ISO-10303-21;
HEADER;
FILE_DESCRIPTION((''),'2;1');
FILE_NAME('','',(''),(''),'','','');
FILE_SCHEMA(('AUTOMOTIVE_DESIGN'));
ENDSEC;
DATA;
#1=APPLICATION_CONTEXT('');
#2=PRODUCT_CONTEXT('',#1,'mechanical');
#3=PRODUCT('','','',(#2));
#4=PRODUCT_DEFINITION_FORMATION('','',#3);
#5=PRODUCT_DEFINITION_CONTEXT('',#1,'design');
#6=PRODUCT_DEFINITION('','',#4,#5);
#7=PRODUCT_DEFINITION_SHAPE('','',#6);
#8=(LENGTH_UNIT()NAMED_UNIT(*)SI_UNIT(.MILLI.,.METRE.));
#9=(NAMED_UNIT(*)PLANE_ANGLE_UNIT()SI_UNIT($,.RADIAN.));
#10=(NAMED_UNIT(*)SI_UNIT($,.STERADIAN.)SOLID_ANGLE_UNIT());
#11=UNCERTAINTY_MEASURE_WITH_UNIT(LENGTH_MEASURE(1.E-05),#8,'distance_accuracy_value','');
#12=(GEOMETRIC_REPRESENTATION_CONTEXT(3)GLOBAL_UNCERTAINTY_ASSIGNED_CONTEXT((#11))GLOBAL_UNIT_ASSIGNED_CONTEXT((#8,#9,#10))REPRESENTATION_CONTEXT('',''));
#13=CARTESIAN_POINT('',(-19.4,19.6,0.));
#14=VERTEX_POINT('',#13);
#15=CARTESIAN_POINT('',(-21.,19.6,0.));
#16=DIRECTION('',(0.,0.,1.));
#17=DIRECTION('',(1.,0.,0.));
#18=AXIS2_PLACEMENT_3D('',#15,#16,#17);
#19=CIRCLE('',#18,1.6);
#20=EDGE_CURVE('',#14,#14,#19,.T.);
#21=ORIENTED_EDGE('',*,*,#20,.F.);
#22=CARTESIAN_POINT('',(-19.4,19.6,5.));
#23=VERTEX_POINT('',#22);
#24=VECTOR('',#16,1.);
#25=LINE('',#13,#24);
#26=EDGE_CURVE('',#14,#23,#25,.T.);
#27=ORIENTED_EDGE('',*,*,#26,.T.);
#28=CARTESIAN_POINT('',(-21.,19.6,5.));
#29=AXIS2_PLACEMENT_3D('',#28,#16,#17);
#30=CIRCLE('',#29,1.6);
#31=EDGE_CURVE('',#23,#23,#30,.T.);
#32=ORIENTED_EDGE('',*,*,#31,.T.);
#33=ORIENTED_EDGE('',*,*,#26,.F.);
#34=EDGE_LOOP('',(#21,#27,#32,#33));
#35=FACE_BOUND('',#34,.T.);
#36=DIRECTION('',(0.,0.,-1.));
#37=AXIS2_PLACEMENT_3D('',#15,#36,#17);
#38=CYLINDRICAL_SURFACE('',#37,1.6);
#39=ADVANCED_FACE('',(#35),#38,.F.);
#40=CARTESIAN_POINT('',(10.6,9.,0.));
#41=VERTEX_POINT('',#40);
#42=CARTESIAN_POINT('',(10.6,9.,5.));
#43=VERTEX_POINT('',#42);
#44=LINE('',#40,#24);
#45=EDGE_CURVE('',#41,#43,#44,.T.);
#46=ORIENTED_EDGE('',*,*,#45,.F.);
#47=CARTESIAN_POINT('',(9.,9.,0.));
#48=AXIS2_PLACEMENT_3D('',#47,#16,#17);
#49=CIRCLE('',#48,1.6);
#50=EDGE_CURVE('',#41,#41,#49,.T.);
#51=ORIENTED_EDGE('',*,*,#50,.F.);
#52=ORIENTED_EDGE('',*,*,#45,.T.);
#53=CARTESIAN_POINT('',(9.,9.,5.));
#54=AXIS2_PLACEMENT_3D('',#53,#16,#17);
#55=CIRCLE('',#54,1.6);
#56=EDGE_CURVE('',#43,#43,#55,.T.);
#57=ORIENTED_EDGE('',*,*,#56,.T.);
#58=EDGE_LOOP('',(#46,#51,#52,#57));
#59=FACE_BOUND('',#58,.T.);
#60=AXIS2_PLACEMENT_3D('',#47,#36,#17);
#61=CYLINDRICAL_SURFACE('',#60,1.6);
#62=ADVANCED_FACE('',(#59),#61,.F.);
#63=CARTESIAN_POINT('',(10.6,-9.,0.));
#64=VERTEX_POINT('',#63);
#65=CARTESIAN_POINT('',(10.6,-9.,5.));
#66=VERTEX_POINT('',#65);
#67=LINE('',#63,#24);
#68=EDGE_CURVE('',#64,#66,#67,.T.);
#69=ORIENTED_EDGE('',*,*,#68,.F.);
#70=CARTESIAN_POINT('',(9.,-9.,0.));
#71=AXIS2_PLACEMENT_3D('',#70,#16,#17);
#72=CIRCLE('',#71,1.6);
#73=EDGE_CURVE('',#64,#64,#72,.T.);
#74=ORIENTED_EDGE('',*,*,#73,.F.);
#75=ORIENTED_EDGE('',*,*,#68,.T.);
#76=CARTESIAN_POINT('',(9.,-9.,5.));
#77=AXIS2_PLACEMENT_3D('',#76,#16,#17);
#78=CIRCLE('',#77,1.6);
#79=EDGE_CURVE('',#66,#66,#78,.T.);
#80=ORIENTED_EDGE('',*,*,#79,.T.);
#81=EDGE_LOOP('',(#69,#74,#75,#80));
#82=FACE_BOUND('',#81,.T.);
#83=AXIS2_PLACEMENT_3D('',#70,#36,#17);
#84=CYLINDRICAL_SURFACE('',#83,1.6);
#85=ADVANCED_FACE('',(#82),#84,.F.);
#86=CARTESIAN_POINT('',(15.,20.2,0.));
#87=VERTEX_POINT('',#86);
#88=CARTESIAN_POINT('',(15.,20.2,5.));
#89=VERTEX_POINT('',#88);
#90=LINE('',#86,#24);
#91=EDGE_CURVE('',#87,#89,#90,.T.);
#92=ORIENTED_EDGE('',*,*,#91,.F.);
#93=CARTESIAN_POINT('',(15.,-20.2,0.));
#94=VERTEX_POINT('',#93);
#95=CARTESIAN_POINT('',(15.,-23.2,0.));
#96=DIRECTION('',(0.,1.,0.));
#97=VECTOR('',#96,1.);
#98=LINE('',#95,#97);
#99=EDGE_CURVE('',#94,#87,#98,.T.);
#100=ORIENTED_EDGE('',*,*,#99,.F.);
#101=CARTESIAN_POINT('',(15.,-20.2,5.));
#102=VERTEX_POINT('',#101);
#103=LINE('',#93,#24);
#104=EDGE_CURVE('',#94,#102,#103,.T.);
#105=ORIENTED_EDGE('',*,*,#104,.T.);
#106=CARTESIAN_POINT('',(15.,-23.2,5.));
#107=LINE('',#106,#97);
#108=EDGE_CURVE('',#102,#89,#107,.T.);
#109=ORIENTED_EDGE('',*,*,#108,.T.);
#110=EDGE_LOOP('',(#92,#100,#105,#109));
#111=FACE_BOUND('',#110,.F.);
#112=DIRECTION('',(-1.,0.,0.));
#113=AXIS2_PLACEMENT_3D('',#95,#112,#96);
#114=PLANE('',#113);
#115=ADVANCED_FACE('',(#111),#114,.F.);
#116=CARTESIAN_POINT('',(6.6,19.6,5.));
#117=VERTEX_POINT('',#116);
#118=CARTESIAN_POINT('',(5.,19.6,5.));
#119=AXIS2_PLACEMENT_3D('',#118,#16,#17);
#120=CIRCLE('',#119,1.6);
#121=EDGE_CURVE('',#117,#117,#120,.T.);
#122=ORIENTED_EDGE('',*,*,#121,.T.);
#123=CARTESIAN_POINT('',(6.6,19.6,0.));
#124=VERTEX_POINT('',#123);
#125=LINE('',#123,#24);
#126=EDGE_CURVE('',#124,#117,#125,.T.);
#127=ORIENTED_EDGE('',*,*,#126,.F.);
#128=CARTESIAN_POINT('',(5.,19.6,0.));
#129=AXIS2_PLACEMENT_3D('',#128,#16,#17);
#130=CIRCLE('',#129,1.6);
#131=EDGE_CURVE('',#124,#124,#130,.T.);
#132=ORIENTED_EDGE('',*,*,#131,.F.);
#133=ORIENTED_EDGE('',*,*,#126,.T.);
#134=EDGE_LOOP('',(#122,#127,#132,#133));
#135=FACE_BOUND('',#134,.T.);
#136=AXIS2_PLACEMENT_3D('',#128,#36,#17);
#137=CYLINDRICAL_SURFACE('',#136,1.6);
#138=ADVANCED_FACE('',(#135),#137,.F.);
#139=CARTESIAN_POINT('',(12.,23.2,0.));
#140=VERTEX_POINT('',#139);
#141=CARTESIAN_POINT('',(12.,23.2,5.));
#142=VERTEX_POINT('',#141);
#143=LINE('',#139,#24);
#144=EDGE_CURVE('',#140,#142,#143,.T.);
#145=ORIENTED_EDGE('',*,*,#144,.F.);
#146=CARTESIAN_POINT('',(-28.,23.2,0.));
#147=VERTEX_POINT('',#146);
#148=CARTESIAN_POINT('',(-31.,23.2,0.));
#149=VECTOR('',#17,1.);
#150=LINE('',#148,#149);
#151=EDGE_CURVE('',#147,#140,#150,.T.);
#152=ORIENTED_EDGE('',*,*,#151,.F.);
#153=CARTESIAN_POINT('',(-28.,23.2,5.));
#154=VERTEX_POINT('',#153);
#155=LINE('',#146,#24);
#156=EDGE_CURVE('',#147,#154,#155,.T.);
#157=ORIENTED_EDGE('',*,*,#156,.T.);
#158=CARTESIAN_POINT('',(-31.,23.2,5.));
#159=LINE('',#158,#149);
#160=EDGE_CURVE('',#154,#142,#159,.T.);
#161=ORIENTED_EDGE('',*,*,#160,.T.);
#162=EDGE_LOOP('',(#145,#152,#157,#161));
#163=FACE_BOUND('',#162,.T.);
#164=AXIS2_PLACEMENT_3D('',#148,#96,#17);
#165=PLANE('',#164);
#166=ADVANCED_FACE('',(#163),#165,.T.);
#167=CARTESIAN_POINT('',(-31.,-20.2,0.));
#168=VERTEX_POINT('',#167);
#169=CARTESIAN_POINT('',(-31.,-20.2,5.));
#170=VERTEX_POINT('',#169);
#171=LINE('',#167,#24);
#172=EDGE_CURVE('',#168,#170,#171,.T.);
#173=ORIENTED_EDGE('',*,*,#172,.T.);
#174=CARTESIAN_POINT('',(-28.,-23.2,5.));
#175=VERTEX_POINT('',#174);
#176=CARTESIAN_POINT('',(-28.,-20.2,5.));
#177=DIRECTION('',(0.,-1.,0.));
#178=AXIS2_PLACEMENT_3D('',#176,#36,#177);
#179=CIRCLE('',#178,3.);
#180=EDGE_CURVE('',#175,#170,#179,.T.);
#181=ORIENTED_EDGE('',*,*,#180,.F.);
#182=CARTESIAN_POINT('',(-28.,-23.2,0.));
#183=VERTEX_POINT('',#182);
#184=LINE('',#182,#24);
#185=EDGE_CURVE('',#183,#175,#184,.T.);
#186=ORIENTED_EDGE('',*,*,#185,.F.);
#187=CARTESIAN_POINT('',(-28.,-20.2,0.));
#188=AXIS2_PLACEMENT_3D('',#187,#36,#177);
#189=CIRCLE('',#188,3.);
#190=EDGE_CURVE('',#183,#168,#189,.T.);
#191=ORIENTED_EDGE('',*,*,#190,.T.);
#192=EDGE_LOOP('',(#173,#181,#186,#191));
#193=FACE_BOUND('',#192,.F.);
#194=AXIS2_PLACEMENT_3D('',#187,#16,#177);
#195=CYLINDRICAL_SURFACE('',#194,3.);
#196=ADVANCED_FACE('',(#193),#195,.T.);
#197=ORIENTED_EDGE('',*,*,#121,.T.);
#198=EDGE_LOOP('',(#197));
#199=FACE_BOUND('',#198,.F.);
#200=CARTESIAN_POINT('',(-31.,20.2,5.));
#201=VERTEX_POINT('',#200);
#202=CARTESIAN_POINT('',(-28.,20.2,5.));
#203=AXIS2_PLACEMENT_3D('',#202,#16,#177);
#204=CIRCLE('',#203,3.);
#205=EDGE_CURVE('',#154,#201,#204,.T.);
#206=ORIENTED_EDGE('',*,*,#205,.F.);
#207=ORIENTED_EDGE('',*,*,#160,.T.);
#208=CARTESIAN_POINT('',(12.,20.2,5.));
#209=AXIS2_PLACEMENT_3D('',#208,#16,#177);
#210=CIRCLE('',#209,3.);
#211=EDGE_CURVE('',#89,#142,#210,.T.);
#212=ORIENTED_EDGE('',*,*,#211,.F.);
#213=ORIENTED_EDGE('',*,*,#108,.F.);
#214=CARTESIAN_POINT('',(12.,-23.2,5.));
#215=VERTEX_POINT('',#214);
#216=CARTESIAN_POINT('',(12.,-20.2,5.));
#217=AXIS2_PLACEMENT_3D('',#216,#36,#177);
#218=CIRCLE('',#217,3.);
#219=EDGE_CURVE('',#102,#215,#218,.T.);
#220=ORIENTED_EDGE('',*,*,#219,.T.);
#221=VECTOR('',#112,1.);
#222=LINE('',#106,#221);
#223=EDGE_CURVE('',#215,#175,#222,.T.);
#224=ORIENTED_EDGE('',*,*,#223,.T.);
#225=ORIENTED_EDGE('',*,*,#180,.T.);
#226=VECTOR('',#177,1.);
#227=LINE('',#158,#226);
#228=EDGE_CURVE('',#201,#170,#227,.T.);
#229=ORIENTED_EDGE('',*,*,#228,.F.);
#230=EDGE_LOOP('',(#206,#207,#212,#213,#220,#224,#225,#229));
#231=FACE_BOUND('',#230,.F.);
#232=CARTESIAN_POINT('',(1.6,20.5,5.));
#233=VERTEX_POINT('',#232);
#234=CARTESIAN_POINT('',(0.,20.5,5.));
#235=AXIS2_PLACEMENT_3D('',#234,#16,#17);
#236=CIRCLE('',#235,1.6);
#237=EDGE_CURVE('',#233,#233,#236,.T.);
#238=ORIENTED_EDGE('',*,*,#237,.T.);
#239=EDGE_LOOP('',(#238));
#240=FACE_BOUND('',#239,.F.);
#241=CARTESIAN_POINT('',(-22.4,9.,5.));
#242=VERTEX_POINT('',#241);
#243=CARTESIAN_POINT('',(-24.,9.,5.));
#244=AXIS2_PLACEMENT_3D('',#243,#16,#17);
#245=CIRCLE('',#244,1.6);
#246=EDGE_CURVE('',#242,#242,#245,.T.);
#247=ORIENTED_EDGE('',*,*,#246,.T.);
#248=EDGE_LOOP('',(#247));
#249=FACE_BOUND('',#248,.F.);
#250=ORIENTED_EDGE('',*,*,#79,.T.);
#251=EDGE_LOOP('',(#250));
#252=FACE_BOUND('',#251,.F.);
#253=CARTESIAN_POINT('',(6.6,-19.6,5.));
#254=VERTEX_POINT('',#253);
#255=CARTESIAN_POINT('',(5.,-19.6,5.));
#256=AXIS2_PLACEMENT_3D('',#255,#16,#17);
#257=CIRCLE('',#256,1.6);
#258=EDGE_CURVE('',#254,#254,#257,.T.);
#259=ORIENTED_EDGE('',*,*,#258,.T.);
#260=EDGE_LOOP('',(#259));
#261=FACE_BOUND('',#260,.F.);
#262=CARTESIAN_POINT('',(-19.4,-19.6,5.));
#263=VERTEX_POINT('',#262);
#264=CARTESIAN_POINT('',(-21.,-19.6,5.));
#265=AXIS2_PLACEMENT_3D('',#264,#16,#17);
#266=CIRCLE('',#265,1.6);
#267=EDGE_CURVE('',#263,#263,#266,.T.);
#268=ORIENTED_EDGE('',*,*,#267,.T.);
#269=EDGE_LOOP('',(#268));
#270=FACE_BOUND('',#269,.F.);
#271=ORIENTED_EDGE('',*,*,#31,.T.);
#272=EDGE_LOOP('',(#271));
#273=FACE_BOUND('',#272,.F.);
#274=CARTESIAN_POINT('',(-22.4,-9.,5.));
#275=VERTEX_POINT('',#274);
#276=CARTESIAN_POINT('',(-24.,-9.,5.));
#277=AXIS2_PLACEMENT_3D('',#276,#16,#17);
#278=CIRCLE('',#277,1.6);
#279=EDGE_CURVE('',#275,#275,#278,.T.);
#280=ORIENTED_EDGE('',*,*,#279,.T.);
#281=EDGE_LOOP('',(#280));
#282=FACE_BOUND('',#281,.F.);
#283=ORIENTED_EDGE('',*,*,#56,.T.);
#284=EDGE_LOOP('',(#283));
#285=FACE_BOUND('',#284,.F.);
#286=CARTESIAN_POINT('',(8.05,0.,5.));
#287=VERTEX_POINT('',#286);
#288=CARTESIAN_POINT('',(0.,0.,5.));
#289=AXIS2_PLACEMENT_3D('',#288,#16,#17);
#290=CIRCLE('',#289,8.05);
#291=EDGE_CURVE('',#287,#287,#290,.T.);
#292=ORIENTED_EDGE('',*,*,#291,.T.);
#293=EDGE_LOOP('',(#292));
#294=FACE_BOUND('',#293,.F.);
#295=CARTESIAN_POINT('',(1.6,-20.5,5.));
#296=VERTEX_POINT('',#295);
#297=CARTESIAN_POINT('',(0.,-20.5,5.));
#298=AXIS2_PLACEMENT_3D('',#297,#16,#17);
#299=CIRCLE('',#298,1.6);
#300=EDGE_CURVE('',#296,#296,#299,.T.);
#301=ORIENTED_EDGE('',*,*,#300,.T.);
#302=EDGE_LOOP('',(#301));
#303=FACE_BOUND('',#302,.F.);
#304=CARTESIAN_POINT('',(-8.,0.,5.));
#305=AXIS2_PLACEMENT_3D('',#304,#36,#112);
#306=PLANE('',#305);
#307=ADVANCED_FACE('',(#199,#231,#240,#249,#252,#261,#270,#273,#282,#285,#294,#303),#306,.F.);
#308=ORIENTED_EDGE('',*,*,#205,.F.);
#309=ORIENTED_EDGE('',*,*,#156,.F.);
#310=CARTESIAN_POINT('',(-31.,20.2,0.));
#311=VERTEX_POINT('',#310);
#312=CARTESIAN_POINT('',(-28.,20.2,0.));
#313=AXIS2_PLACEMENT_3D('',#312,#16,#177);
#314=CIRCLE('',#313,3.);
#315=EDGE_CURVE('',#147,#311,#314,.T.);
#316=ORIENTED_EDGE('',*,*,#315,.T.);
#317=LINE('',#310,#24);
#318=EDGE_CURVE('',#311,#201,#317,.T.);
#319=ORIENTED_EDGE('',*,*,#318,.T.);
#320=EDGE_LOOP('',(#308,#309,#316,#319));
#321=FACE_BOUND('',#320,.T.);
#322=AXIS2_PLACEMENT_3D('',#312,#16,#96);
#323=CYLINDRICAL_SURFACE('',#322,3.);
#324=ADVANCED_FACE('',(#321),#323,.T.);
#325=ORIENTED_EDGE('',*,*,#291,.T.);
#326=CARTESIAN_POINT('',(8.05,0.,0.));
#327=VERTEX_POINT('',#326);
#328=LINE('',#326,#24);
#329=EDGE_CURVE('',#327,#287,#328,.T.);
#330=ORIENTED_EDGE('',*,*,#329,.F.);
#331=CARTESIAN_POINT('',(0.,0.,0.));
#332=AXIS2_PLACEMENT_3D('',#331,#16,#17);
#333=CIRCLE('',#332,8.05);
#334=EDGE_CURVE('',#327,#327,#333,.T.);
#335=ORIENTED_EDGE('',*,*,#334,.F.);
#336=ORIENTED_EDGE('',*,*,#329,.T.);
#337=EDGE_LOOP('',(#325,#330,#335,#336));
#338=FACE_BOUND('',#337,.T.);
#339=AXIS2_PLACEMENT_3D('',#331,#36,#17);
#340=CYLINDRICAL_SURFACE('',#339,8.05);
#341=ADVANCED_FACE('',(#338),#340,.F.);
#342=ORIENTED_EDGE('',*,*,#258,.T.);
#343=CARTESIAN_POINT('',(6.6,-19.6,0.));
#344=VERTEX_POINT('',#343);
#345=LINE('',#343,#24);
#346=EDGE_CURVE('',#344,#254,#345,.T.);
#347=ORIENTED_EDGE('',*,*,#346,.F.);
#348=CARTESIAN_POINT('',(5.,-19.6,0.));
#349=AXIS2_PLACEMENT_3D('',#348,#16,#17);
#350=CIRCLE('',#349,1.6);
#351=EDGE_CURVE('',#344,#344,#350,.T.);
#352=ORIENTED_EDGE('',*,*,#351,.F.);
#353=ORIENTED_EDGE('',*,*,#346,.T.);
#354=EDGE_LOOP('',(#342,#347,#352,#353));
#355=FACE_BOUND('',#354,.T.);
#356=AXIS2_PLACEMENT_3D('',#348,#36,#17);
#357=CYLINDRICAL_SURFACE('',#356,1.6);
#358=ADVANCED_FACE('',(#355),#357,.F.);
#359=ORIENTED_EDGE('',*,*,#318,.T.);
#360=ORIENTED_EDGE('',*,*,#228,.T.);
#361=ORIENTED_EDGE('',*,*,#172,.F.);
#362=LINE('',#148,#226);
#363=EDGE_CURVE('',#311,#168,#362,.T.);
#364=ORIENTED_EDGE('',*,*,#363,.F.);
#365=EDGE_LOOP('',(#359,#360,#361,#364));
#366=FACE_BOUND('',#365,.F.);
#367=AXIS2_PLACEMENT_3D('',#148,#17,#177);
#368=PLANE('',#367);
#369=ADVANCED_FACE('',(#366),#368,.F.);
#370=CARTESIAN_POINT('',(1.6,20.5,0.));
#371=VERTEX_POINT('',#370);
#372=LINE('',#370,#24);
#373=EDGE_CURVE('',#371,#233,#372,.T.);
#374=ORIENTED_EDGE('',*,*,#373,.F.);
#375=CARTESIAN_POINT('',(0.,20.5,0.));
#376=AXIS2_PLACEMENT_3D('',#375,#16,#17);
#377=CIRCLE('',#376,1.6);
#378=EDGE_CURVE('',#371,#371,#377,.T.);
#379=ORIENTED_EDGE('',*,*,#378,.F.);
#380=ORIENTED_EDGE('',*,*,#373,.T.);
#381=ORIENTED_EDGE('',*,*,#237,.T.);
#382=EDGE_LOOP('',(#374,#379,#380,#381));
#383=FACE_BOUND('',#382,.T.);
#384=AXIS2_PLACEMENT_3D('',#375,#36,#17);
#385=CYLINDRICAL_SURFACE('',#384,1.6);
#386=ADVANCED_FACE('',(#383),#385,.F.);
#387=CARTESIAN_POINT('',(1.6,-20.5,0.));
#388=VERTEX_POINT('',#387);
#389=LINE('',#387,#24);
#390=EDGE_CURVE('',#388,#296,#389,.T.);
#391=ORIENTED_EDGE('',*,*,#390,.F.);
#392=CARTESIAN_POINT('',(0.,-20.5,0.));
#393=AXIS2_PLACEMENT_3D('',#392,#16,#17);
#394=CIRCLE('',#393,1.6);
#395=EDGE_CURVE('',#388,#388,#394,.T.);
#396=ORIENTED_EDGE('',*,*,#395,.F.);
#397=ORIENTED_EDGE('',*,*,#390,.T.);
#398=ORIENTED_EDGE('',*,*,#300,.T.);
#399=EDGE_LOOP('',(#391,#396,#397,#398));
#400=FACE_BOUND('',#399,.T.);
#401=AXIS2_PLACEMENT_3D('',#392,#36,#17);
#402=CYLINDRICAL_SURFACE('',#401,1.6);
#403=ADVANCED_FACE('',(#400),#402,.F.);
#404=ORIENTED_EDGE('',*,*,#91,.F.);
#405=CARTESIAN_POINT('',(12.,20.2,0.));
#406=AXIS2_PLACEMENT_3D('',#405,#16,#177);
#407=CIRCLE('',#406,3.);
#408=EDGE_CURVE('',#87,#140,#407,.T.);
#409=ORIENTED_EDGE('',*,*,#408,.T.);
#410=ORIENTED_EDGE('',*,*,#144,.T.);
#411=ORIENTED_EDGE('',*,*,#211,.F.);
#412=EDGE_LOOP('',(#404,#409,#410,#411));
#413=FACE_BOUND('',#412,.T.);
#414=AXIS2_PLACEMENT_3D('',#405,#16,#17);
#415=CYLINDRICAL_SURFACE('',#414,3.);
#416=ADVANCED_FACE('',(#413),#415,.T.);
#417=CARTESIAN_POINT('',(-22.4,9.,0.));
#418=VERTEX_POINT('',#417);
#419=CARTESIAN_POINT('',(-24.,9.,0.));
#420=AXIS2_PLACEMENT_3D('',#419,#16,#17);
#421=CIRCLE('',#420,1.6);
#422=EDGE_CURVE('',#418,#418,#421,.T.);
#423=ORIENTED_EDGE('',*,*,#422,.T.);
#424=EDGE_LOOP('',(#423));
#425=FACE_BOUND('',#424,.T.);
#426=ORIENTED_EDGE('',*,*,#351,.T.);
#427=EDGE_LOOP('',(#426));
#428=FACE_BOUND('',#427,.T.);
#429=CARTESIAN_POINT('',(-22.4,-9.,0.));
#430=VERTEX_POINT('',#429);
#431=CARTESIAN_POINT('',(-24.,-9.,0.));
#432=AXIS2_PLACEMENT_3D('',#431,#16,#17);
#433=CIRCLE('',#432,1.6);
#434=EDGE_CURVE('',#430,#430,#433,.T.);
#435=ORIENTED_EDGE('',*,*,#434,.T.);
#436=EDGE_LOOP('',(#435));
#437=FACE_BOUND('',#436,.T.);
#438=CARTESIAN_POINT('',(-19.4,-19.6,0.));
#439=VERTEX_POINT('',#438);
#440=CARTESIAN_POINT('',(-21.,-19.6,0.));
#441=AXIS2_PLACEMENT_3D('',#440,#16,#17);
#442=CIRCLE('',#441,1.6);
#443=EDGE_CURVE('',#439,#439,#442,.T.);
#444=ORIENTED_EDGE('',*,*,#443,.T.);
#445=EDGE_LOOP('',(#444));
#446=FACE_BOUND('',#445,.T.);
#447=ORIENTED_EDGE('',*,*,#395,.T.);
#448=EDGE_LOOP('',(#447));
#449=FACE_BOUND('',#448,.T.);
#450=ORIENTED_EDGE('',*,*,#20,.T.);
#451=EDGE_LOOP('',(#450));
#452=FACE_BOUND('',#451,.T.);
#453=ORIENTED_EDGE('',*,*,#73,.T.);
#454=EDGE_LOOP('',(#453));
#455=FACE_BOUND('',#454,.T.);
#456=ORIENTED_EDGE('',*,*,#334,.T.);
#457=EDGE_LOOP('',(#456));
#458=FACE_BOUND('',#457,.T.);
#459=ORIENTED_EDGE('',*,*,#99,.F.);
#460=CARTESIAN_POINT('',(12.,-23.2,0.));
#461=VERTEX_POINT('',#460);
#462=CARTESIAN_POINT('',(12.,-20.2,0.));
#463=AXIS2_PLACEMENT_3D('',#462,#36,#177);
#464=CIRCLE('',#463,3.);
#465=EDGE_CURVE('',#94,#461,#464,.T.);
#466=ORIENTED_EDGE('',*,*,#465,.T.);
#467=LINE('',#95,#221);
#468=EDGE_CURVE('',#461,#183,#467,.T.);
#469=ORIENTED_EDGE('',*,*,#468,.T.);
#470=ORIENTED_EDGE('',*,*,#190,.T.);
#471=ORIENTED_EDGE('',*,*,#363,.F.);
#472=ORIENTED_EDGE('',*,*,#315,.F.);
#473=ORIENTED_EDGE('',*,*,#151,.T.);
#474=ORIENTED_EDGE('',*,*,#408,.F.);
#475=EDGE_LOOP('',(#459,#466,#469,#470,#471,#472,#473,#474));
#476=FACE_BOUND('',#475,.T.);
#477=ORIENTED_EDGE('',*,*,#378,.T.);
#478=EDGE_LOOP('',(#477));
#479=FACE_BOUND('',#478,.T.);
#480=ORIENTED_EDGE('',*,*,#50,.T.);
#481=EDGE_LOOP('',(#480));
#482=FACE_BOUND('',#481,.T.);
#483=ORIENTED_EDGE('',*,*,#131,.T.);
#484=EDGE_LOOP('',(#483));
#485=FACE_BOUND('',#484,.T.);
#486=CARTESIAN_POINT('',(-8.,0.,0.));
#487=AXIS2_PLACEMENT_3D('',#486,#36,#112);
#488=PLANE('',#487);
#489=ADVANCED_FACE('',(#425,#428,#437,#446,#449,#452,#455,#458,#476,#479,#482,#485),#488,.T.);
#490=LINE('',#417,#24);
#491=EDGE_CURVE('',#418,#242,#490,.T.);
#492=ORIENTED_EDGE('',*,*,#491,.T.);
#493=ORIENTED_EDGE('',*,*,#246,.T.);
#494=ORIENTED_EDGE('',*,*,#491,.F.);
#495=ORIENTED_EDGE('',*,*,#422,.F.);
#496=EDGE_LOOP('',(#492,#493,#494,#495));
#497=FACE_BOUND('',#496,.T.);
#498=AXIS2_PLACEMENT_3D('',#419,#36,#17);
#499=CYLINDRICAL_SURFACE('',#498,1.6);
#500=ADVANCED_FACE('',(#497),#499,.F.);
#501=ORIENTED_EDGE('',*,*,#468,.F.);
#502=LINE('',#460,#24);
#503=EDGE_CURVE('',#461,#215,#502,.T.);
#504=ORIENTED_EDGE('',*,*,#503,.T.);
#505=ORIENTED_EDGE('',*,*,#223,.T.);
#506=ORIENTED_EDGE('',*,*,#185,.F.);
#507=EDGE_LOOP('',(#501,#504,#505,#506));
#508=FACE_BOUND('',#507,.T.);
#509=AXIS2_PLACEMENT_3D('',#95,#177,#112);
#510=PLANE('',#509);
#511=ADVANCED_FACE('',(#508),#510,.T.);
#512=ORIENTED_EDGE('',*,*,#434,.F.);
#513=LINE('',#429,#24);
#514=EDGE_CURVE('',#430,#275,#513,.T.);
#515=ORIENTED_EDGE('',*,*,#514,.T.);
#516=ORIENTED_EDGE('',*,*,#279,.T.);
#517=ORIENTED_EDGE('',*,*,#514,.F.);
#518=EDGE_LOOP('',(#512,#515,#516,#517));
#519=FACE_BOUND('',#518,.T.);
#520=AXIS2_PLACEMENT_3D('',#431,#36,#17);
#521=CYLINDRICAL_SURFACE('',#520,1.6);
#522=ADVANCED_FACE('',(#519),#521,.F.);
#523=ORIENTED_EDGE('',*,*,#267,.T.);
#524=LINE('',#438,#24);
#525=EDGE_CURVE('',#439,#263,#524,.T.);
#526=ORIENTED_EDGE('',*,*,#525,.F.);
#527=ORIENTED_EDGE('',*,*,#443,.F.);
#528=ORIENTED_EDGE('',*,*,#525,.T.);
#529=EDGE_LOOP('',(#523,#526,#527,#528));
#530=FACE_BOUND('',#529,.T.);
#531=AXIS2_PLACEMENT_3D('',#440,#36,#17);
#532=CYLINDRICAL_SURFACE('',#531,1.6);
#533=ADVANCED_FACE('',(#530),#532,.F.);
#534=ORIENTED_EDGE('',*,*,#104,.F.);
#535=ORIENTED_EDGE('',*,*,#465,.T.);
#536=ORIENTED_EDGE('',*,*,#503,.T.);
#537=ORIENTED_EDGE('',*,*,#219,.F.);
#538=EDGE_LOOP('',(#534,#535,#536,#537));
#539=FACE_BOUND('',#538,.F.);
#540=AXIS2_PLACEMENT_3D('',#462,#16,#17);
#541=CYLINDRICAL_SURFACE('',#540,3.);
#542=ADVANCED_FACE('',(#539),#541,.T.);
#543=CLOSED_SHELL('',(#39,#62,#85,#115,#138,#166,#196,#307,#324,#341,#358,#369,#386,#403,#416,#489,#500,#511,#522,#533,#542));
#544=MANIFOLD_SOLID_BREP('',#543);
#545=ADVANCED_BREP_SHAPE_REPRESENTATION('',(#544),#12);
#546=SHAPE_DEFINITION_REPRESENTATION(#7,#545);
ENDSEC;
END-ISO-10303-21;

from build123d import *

# Parameters (mm, degrees)
SKETCH_R   = 8.05
SKETCH_R_2 = 1.6
PAD_DEPTH  = 5
FILLET_R   = 3


with BuildPart() as part:
    # Sketch → Pad (new body)
    with BuildSketch(Plane.XY):
        Polygon((15, 16), (15, -16), (15, -23.2), (-31, -23.2), (-31, -16), (-31, 16), (-31, 23.2), (15, 23.2), align=None)
        Circle(SKETCH_R, mode=Mode.SUBTRACT)
        with Locations((-24, 9)):
            Circle(SKETCH_R_2, mode=Mode.SUBTRACT)
        with Locations((-24, -9)):
            Circle(SKETCH_R_2, mode=Mode.SUBTRACT)
        with Locations((9, -9)):
            Circle(SKETCH_R_2, mode=Mode.SUBTRACT)
        with Locations((9, 9)):
            Circle(SKETCH_R_2, mode=Mode.SUBTRACT)
        with Locations((0, 20.5)):
            Circle(SKETCH_R_2, mode=Mode.SUBTRACT)
        with Locations((0, -20.5)):
            Circle(SKETCH_R_2, mode=Mode.SUBTRACT)
        with Locations((-21, 19.6)):
            Circle(SKETCH_R_2, mode=Mode.SUBTRACT)
        with Locations((5, 19.6)):
            Circle(SKETCH_R_2, mode=Mode.SUBTRACT)
        with Locations((-21, -19.6)):
            Circle(SKETCH_R_2, mode=Mode.SUBTRACT)
        with Locations((5, -19.6)):
            Circle(SKETCH_R_2, mode=Mode.SUBTRACT)
    extrude(amount=PAD_DEPTH)

    # Fillet
    fillet_edges = [part.edges().sort_by_distance(p)[0] for p in [
        (-31, -23.2, 2.5),
        (-31, 23.2, 2.5),
        (15, 23.2, 2.5),
        (15, -23.2, 2.5),
    ]]
    fillet(fillet_edges, radius=FILLET_R)


solid = part.part
